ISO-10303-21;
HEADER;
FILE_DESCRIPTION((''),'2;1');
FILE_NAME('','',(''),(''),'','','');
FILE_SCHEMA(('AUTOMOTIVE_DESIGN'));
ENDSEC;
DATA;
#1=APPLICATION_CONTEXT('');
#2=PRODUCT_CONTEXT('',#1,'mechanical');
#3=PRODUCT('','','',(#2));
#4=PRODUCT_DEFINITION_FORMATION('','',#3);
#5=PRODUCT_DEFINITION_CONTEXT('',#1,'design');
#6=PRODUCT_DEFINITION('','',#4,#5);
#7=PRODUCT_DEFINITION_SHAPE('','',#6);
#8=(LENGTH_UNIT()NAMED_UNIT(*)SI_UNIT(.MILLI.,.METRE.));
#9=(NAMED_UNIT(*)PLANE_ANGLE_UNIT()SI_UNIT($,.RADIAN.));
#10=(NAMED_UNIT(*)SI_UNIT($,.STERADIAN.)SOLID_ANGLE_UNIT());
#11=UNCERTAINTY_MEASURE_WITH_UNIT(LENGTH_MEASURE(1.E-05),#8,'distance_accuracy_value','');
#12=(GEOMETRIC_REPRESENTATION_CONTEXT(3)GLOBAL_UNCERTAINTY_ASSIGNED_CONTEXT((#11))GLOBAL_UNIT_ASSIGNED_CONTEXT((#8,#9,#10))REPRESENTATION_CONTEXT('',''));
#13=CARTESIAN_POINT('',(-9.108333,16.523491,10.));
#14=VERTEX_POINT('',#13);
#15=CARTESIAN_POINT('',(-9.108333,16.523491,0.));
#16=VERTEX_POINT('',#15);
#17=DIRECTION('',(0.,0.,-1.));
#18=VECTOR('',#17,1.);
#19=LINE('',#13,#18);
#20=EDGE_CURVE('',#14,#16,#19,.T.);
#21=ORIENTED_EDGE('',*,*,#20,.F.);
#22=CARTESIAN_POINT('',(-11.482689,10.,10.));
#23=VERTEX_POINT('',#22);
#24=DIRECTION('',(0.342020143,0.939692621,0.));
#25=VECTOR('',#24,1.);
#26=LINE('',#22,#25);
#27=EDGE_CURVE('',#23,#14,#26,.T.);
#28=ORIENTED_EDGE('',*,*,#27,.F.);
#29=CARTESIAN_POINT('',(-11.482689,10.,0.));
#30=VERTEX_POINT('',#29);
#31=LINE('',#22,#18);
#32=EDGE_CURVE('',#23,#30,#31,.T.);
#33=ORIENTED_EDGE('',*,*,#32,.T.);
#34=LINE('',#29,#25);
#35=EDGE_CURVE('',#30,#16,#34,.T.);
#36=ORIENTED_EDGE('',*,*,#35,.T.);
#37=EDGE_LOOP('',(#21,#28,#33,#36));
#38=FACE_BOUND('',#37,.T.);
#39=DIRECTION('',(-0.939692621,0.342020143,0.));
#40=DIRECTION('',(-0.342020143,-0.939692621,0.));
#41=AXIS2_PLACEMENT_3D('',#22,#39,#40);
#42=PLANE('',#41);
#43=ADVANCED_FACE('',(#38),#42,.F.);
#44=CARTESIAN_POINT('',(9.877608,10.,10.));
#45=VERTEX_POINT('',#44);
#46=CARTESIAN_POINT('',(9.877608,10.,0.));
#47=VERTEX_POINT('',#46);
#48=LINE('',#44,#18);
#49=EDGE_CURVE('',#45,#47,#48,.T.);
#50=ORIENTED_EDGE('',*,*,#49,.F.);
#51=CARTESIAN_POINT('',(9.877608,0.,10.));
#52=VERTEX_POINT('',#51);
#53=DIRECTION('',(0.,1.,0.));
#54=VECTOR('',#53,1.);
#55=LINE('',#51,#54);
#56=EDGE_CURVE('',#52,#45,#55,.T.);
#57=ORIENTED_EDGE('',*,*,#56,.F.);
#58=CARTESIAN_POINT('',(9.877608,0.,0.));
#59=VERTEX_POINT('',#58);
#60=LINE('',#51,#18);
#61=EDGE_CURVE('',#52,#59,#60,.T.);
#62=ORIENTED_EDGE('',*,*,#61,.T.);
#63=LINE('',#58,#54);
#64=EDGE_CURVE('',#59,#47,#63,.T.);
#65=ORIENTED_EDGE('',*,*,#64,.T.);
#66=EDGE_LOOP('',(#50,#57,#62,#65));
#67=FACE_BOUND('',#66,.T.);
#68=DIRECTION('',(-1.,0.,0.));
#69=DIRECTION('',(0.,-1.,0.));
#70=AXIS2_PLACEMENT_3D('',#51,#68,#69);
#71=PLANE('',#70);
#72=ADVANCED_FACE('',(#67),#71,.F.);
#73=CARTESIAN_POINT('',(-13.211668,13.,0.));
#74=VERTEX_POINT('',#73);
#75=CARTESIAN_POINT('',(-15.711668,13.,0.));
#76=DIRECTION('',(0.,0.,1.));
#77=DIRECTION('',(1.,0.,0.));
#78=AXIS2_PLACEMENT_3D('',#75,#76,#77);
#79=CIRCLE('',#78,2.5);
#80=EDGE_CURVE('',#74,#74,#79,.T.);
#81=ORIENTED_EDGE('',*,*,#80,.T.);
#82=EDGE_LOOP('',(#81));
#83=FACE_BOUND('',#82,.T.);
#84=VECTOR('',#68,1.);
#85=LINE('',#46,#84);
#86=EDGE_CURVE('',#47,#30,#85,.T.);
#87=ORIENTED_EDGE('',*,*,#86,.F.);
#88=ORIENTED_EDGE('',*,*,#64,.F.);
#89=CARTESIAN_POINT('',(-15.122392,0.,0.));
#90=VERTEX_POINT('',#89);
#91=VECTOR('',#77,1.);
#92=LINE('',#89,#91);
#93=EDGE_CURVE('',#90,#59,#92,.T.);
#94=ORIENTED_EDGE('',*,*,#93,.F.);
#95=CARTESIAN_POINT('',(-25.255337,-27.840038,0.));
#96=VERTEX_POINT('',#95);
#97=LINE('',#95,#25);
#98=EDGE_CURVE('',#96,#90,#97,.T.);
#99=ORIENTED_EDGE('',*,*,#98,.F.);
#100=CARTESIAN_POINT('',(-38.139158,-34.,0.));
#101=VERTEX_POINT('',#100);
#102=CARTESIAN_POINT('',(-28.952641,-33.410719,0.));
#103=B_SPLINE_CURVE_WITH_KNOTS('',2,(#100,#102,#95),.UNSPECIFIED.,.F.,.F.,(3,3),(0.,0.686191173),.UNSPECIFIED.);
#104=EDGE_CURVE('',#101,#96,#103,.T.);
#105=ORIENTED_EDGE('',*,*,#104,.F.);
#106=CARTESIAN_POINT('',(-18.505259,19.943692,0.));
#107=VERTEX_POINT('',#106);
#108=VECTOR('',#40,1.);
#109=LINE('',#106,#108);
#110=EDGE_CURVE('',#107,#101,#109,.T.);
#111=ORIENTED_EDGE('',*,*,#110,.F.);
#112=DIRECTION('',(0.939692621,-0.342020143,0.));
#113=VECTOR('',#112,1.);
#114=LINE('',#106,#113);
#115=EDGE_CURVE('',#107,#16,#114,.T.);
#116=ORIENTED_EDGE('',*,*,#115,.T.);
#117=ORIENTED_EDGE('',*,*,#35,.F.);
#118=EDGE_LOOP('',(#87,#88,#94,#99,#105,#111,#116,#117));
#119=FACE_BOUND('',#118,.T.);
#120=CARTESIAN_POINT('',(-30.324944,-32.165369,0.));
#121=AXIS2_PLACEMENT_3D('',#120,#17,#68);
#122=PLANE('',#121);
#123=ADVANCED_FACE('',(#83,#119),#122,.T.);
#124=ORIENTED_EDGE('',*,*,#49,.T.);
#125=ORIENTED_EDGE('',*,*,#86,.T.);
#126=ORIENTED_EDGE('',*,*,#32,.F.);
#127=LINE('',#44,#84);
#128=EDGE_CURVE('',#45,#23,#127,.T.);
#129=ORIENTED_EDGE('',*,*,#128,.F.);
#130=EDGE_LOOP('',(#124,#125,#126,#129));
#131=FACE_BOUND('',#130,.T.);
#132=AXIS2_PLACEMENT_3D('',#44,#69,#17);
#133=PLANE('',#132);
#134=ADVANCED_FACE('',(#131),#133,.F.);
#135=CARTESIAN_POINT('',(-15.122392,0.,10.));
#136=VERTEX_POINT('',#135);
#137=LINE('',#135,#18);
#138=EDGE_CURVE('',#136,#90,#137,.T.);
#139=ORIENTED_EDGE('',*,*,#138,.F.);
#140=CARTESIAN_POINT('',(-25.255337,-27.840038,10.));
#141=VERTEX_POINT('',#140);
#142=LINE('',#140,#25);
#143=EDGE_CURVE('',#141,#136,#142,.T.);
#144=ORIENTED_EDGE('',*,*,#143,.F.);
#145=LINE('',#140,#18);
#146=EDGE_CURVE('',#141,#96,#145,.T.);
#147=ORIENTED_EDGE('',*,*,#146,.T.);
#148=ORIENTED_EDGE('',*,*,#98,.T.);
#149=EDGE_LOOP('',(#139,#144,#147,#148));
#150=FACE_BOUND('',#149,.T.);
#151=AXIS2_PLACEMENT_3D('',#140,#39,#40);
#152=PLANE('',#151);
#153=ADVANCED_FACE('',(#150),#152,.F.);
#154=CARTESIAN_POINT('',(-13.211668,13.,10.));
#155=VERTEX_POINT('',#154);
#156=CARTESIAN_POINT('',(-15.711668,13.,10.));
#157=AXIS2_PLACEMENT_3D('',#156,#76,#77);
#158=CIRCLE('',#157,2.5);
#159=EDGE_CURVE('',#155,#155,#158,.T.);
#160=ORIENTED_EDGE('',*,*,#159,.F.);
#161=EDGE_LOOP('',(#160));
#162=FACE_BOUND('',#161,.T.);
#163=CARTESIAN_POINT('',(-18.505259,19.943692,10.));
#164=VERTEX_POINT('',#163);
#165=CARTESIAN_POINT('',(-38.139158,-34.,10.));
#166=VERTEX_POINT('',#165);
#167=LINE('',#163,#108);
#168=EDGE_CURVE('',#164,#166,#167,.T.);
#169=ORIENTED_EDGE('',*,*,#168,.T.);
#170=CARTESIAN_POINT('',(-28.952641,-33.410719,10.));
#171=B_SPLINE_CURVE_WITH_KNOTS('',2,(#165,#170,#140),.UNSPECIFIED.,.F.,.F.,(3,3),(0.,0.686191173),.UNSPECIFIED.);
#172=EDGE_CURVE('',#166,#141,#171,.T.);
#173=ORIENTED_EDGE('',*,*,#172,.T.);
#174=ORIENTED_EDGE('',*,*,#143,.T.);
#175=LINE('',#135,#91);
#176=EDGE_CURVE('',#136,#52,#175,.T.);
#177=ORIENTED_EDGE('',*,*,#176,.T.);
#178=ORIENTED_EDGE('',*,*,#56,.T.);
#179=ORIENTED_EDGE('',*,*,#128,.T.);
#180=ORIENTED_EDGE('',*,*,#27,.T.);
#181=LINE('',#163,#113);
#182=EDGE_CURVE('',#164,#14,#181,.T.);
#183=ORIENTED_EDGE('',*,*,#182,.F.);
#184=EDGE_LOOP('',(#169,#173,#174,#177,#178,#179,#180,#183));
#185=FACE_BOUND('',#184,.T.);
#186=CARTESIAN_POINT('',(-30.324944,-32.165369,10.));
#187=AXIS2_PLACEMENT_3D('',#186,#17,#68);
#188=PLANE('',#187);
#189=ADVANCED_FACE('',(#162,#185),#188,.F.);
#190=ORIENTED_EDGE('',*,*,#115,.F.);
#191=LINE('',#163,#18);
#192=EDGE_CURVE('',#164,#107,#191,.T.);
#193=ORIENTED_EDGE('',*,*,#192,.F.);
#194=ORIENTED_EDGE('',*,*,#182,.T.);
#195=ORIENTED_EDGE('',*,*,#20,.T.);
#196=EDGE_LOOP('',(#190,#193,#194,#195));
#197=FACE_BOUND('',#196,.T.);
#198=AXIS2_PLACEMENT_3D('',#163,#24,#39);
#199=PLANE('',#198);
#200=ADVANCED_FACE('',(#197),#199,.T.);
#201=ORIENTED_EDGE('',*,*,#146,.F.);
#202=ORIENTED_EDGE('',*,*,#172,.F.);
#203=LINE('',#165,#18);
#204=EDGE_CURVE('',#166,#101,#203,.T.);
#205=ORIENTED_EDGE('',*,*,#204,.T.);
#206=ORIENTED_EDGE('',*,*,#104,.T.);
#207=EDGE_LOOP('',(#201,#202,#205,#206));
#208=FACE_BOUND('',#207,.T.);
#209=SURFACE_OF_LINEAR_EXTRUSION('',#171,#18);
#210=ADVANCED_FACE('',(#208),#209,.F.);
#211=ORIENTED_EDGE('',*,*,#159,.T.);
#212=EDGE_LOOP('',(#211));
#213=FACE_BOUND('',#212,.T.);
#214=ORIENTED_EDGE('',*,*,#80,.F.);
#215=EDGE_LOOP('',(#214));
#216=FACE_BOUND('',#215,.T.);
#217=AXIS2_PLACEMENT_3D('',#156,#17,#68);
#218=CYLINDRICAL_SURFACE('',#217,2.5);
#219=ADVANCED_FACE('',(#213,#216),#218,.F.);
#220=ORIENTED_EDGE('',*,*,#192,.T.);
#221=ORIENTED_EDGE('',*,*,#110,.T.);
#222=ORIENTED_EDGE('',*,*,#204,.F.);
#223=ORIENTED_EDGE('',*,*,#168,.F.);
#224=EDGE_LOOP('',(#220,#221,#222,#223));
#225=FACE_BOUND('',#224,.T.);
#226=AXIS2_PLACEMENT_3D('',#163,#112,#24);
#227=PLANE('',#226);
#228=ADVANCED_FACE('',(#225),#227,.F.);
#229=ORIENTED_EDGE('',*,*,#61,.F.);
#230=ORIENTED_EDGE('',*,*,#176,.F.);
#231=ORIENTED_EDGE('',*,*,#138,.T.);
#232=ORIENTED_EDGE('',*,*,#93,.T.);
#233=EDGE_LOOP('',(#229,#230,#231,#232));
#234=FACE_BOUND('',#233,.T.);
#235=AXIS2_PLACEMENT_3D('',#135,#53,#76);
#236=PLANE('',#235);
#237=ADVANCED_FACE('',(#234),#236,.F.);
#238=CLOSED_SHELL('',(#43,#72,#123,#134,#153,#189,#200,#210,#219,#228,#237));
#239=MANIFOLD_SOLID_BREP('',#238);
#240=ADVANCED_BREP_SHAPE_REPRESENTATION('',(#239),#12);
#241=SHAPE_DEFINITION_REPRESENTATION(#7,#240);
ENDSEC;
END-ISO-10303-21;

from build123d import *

# Parameters (mm, degrees)
SKETCH8_R           = 2.5
BOSS_EXTRUDE4_DEPTH = 10


with BuildPart() as part:
    # Sketch8 → Boss-Extrude4 (new body)
    with BuildSketch(Plane.XY):
        with BuildLine():
            Line((9.877608164, 0), (9.877608164, 10))
            Line((9.877608164, 10), (-11.482689494, 10))
            Line((-11.482689494, 10), (-9.108332934, 16.523491033))
            Line((-9.108332934, 16.523491033), (-18.505259142, 19.943692467))
            Line((-18.505259142, 19.943692467), (-38.139157526, -34))
            add(Edge.make_bspline(
                [(-38.139157526, -34), (-28.952640902, -33.410718861), (-25.255337047, -27.84003816)],
                knots=[0, 0, 0, 0.686191173, 0.686191173, 0.686191173], degree=2))
            Line((-25.255337047, -27.84003816), (-15.122391836, 0))
            Line((-15.122391836, 0), (9.877608164, 0))
        make_face()
        with Locations((-15.711667653, 13)):
            Circle(SKETCH8_R, mode=Mode.SUBTRACT)
    extrude(amount=BOSS_EXTRUDE4_DEPTH)


solid = part.part
